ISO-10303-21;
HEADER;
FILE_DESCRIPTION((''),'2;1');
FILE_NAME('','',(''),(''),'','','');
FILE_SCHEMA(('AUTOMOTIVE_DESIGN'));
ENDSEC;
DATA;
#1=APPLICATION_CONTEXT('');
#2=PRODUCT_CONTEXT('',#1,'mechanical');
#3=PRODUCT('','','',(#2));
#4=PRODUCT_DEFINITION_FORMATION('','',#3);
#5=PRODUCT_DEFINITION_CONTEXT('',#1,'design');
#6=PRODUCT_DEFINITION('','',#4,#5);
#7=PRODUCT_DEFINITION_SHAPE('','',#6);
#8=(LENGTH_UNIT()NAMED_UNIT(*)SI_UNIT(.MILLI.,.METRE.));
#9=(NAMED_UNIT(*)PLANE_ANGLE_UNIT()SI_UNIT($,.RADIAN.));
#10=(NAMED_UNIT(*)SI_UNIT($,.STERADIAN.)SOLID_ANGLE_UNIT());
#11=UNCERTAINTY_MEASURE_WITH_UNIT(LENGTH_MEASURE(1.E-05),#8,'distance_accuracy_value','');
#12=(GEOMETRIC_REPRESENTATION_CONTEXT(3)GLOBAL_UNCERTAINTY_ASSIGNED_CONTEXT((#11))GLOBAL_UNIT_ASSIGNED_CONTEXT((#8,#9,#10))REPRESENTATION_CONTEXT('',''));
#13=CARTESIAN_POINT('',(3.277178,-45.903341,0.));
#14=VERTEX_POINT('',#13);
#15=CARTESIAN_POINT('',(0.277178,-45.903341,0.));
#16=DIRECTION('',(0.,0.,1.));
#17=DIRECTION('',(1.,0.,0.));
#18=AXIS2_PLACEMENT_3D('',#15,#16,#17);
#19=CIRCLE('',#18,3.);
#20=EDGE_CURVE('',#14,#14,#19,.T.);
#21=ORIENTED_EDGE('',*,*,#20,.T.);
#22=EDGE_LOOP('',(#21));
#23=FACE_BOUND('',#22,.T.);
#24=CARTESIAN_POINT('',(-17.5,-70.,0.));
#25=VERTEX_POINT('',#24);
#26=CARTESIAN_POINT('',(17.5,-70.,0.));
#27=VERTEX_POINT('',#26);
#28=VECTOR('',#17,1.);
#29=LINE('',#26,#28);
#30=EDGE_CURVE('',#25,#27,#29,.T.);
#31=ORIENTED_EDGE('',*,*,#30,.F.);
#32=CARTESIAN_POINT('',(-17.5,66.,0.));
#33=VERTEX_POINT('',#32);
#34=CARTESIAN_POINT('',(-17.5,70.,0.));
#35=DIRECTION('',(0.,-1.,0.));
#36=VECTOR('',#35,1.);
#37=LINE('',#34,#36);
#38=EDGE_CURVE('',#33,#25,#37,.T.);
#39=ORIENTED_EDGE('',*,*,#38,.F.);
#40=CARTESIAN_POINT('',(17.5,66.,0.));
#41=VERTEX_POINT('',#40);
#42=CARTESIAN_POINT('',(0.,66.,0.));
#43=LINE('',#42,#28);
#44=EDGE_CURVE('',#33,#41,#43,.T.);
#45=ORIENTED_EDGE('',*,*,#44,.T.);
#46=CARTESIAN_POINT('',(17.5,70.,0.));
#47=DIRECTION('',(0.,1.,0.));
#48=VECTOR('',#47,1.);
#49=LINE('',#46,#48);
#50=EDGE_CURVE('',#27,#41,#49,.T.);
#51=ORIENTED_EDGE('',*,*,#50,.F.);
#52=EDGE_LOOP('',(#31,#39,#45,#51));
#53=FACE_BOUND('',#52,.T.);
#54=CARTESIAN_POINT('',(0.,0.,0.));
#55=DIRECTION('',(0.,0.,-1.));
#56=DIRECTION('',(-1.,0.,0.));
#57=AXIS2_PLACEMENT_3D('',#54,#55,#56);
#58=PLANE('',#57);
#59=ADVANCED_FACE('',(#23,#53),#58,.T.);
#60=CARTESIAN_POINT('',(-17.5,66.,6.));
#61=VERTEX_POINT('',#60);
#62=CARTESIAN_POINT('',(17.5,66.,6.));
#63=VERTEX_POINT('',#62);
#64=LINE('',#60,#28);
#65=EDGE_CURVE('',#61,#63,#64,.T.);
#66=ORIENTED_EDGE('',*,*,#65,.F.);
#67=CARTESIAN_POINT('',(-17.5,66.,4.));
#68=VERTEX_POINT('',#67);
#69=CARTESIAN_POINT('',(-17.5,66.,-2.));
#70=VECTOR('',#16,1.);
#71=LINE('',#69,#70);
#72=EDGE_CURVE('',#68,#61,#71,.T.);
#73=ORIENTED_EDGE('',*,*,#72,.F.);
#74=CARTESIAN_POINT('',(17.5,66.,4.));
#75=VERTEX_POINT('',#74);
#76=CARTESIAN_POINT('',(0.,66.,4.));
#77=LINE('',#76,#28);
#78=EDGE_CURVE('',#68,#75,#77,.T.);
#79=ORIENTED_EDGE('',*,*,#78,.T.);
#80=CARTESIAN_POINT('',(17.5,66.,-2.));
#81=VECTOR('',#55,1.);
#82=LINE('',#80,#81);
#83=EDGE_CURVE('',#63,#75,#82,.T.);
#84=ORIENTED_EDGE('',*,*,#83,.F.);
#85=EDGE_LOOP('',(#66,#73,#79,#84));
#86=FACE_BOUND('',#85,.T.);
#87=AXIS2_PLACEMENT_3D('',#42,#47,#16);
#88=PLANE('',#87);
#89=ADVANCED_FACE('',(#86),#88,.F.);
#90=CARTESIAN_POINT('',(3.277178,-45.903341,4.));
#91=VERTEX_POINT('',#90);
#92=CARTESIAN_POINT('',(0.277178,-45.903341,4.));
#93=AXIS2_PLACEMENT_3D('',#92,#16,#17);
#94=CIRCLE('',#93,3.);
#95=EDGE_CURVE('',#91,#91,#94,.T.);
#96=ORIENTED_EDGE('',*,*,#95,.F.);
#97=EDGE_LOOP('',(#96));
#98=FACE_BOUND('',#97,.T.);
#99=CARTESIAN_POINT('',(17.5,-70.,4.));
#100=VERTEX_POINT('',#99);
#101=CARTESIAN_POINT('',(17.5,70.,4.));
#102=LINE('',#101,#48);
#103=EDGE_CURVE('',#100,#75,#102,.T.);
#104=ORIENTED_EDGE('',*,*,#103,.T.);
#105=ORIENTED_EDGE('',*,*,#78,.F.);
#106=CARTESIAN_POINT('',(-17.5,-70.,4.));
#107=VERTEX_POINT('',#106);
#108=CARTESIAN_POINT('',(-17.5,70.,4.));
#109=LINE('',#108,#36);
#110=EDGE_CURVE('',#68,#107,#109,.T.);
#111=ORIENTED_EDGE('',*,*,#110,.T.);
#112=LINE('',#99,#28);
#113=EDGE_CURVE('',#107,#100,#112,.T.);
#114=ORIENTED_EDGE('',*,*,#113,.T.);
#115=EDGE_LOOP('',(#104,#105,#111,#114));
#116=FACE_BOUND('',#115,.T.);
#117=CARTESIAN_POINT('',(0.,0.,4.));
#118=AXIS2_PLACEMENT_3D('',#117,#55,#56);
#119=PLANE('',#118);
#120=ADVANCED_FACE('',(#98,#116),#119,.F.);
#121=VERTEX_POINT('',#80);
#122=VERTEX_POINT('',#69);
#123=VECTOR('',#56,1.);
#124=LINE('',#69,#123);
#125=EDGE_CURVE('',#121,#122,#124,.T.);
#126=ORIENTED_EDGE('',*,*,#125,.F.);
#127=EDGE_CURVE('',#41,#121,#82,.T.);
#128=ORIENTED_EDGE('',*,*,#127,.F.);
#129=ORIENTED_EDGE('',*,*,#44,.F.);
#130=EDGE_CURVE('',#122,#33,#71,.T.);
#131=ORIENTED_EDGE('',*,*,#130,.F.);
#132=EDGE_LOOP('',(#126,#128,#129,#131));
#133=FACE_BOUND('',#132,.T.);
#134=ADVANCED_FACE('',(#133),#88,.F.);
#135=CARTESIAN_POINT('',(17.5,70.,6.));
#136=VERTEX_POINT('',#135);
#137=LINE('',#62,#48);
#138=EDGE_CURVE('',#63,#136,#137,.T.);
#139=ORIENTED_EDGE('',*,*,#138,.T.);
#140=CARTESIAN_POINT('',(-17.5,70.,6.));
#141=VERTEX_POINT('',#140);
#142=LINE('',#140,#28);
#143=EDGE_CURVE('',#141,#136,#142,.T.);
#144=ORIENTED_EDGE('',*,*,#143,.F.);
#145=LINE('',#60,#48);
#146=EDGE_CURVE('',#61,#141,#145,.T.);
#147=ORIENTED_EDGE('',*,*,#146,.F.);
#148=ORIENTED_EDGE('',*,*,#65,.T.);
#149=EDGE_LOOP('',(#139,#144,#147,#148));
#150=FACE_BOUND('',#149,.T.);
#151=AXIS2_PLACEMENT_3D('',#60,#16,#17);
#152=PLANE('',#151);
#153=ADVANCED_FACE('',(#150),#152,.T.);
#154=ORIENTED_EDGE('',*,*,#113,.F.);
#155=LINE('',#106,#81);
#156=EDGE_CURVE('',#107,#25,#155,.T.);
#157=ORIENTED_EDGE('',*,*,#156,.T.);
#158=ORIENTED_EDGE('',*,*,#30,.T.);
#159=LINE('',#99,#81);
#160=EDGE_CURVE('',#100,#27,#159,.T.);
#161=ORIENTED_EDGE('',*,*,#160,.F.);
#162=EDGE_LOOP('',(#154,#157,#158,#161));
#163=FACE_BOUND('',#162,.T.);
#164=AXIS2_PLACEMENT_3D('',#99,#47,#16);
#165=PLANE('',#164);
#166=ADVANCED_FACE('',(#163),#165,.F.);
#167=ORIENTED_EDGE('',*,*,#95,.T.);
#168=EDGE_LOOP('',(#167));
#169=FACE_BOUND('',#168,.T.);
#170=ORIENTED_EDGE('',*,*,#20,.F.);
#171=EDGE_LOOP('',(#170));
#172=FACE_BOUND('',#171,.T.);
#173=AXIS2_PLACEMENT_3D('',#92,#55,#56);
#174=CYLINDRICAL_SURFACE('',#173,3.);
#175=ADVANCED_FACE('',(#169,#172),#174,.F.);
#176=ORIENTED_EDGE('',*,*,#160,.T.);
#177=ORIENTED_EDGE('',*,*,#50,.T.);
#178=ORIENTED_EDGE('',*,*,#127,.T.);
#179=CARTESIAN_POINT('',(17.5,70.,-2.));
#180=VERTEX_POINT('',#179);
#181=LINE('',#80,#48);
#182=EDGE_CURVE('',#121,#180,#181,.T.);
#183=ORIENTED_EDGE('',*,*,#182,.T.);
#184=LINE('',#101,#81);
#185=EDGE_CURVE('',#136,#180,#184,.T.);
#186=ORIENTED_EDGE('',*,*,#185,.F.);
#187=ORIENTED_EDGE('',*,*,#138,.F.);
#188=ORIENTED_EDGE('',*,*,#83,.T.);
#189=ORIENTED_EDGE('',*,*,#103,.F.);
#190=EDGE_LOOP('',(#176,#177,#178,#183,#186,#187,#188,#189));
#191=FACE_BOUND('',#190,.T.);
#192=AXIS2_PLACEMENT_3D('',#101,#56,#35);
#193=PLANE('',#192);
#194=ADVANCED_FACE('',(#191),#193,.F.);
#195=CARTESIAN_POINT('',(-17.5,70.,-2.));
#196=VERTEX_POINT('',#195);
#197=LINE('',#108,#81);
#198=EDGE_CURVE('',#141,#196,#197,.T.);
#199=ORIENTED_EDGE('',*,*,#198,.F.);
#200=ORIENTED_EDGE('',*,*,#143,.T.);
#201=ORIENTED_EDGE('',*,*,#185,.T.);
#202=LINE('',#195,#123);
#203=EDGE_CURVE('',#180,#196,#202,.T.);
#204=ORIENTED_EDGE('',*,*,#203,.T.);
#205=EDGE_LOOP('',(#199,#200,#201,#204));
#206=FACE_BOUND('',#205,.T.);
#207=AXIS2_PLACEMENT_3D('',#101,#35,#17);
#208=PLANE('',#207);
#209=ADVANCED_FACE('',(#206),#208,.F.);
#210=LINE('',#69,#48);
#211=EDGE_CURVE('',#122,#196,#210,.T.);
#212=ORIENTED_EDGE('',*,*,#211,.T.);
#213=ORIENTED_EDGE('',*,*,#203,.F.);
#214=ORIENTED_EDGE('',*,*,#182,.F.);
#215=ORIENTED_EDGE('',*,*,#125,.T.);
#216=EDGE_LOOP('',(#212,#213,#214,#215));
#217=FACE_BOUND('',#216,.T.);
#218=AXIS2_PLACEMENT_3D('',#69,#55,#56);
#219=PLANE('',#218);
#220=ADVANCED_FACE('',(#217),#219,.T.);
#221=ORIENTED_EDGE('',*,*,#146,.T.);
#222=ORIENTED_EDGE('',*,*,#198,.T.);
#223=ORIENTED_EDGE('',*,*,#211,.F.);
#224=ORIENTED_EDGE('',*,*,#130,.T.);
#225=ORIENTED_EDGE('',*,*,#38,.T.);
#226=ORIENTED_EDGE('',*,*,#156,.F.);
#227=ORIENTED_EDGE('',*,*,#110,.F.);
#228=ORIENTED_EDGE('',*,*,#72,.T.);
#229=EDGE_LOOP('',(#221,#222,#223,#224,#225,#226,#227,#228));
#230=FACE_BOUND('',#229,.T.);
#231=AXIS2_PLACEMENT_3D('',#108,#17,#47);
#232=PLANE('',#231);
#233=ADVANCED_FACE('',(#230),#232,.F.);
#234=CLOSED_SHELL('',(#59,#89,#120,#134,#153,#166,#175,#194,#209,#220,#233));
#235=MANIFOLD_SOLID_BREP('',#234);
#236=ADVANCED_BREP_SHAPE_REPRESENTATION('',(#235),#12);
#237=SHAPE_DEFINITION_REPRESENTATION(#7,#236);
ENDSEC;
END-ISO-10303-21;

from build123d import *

# Parameters (mm, degrees)
SKETCH1_W           = 35
SKETCH1_H           = 140
SKETCH1_R           = 3
BOSS_EXTRUDE1_DEPTH = 4
SKETCH2_W           = 35
SKETCH2_H           = 8
BOSS_EXTRUDE2_DEPTH = 4


with BuildPart() as part:
    # Sketch1 → Boss-Extrude1 (new body)
    with BuildSketch(Plane.XY):
        Rectangle(SKETCH1_W, SKETCH1_H)
        with Locations((0.277177956, -45.903341346)):
            Circle(SKETCH1_R, mode=Mode.SUBTRACT)
    extrude(amount=BOSS_EXTRUDE1_DEPTH)

    # Sketch2 → Boss-Extrude2 (add)
    with BuildSketch(Plane(origin=(0, 70, 0), x_dir=(1, 0, 0), z_dir=(0, 1, 0))):
        with Locations((0, -2)):
            Rectangle(SKETCH2_W, SKETCH2_H)
    extrude(amount=-BOSS_EXTRUDE2_DEPTH)


solid = part.part
